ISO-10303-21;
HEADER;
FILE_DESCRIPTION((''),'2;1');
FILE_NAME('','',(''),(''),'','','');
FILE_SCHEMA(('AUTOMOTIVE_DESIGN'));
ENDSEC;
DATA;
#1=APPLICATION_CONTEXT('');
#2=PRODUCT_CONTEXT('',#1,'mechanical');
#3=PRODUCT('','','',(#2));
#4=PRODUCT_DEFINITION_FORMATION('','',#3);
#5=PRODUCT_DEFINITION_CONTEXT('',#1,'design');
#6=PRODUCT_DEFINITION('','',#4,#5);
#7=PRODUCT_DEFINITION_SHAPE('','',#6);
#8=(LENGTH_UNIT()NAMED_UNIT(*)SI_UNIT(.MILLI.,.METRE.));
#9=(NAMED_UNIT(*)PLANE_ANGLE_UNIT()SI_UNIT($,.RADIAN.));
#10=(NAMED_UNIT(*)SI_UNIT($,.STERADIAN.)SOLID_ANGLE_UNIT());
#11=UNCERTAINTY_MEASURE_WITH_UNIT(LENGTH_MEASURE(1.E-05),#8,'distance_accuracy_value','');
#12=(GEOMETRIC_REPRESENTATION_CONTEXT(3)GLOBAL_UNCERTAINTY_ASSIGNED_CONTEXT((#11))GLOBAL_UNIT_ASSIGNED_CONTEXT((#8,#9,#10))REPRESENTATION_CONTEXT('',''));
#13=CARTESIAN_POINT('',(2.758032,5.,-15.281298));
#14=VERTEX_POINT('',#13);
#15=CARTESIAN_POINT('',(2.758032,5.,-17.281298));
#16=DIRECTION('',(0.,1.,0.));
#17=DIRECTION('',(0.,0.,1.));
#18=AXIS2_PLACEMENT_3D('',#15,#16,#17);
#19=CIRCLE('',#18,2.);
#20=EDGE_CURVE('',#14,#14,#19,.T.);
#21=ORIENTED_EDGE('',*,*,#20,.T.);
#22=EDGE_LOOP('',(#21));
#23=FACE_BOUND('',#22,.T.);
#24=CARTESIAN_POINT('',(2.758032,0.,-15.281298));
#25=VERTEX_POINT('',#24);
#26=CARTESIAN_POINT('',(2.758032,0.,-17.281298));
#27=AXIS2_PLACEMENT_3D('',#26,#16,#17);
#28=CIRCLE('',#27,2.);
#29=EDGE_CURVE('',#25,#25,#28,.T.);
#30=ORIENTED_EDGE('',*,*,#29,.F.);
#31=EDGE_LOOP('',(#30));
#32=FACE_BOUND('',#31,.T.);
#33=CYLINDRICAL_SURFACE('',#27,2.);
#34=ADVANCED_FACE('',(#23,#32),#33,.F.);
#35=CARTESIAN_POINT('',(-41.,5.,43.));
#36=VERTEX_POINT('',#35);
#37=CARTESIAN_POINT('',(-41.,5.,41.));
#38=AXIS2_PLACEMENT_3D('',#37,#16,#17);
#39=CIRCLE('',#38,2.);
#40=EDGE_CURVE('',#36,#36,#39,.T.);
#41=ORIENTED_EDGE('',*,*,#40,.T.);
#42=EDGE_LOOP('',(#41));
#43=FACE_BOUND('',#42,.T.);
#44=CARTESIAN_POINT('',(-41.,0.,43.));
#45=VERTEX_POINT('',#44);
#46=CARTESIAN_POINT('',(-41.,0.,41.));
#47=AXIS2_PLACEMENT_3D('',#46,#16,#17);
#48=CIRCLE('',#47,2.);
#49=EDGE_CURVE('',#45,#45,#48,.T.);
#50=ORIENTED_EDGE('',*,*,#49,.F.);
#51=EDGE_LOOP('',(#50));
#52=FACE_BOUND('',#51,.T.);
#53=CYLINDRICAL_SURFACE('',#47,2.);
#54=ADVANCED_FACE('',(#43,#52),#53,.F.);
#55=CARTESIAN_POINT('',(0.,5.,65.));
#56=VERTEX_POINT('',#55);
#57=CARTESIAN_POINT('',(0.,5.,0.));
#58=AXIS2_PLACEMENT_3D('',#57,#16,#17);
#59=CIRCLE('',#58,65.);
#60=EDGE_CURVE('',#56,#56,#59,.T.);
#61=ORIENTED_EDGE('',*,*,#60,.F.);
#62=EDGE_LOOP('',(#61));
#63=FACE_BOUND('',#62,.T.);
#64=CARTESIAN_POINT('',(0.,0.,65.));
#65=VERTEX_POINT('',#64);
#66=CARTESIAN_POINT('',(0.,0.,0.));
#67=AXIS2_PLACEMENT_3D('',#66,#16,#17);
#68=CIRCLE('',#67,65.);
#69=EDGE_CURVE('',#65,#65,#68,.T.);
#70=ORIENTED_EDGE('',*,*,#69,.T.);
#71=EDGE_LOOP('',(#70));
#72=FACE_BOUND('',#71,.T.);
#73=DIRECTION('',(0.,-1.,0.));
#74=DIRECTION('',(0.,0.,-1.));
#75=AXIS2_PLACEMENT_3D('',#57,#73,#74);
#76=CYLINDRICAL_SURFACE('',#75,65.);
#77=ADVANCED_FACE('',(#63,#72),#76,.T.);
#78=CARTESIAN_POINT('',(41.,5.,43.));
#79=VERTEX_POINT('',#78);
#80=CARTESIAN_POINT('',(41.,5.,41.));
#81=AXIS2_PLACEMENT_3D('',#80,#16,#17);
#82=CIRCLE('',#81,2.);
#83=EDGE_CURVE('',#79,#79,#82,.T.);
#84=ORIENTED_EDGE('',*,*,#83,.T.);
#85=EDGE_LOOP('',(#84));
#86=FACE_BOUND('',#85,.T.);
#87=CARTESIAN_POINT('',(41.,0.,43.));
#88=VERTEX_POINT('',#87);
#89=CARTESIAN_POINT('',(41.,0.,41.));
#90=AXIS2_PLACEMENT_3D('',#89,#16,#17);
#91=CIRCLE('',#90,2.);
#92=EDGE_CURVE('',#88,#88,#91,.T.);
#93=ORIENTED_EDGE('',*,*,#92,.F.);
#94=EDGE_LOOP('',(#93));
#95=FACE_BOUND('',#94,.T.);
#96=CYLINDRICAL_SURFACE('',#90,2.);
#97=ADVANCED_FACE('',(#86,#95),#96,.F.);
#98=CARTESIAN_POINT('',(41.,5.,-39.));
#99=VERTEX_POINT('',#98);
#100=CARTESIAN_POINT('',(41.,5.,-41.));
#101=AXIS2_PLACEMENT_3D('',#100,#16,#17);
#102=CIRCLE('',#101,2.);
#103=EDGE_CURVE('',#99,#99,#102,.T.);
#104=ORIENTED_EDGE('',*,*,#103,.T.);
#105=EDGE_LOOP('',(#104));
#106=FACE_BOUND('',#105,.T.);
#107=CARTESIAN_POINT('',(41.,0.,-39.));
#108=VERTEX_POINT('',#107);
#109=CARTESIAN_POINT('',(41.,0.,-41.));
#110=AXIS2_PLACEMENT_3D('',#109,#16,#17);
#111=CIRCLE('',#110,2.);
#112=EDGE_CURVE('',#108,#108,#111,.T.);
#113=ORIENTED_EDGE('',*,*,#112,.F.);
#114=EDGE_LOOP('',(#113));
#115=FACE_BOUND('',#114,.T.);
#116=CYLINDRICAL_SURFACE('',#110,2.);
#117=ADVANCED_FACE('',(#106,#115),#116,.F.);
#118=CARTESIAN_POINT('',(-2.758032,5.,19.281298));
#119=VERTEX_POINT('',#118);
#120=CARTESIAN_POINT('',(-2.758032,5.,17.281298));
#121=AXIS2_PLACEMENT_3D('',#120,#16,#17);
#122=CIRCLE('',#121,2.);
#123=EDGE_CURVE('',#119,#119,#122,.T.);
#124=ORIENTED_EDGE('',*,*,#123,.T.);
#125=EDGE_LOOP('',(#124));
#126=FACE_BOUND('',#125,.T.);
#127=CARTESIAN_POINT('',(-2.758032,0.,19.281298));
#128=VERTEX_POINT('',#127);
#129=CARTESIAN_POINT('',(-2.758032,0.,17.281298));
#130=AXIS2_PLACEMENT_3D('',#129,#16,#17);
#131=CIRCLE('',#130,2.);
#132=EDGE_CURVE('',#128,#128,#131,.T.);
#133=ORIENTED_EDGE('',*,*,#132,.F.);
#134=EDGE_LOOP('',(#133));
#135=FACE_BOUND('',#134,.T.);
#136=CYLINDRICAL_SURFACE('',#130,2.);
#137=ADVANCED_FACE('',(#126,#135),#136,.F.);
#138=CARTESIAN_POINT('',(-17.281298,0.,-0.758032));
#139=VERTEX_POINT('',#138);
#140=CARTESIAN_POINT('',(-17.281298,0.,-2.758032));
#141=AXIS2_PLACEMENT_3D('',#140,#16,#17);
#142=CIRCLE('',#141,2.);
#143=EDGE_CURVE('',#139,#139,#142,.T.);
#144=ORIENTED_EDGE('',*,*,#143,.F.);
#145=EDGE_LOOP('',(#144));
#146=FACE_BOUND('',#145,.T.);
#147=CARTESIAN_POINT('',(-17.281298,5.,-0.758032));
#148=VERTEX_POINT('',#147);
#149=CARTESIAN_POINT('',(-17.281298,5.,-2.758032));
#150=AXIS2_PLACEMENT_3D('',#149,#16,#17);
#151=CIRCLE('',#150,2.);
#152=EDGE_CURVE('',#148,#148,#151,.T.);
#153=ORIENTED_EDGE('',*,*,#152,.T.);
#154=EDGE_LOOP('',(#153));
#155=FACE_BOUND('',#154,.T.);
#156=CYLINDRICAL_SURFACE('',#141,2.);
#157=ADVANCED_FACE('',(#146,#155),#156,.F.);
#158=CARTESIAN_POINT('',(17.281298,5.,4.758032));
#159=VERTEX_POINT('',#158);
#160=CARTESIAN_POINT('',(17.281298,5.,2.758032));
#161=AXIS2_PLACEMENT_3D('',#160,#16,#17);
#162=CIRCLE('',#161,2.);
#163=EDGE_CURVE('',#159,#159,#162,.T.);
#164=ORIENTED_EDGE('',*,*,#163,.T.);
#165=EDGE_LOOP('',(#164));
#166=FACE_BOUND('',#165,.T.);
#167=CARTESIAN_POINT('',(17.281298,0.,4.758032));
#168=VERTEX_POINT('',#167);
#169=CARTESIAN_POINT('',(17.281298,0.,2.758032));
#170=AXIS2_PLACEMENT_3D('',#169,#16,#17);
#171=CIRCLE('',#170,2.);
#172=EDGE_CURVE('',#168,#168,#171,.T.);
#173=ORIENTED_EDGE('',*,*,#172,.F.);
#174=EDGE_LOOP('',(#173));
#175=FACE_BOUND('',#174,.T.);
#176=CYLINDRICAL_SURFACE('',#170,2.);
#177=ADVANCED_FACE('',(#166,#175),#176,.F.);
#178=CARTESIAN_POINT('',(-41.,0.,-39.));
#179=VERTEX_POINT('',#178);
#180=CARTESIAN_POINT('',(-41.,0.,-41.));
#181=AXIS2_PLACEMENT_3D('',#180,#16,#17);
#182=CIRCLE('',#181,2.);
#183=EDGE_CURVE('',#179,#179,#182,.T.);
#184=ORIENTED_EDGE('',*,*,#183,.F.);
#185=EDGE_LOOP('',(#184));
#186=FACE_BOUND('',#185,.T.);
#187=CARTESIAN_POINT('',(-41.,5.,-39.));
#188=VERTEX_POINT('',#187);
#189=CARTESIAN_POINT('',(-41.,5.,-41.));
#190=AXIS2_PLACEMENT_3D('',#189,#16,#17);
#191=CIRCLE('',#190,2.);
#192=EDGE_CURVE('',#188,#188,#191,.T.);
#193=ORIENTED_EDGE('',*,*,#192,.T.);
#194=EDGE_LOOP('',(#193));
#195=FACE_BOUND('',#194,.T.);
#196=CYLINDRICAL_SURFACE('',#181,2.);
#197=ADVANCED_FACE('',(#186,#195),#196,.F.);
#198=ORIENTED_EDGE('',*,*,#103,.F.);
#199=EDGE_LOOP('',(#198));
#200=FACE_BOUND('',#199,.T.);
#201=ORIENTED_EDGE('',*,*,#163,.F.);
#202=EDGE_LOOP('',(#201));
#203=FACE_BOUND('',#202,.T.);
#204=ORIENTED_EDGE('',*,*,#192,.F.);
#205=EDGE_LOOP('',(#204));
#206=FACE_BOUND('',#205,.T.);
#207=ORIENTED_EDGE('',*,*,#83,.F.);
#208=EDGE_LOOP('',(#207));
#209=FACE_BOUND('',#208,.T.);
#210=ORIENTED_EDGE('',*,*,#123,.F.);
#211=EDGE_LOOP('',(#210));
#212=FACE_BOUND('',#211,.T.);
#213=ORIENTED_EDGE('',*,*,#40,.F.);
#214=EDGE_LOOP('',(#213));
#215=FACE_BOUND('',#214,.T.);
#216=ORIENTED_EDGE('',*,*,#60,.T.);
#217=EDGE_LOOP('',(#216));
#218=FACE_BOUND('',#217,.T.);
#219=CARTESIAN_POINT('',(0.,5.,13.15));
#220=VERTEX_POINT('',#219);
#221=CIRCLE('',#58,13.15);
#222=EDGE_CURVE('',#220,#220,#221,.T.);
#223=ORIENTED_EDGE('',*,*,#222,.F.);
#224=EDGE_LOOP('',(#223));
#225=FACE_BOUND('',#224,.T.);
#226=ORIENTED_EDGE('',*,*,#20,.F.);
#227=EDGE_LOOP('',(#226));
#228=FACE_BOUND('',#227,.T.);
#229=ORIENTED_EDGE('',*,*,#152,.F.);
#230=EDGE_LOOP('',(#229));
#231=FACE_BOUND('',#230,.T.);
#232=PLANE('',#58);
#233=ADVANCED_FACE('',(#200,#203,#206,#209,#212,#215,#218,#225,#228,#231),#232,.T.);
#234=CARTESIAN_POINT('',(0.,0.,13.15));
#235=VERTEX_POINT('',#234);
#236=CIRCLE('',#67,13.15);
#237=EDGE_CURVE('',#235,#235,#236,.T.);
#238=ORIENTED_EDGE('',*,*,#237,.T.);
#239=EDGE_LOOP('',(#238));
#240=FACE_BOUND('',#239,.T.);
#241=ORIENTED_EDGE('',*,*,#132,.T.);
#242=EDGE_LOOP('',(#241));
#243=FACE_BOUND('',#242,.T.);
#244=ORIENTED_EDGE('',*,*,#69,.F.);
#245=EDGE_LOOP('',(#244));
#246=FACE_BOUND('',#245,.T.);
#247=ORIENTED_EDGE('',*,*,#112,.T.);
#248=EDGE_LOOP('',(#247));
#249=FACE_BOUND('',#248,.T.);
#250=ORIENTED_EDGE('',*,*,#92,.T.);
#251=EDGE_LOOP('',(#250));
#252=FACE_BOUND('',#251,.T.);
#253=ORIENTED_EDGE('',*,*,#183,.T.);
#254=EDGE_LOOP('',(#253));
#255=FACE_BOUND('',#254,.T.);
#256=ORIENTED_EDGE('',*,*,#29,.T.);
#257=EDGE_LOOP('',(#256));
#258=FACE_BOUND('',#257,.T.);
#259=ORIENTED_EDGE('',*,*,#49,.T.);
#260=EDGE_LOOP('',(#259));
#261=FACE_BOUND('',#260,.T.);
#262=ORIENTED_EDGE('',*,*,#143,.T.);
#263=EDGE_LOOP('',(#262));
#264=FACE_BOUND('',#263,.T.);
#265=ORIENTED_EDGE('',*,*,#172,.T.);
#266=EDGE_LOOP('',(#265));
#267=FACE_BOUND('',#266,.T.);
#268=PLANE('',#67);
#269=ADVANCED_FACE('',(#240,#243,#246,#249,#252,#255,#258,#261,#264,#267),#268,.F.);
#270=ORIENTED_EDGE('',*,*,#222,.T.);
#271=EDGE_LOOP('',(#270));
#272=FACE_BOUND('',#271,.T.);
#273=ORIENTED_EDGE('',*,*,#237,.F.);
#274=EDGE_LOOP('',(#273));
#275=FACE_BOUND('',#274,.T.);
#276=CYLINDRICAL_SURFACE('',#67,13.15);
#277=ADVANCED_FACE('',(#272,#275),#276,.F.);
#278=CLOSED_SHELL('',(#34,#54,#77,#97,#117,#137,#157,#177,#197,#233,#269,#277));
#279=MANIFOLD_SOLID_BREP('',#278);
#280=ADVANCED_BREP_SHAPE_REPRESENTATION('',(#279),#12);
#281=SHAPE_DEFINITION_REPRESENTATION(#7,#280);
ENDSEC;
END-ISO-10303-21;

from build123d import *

# Parameters (mm, degrees)
SKETCH1_R           = 65
BOSS_EXTRUDE1_DEPTH = 5
SKETCH2_R           = 13.15
SKETCH2_R_2         = 2
CUT_EXTRUDE1_DEPTH  = 93.059763198
SKETCH4_R           = 2
CUT_EXTRUDE2_DEPTH  = 93.059763198


with BuildPart() as part:
    # Sketch1 → Boss-Extrude1 (new body)
    with BuildSketch(Plane(origin=(0, 0, 0), x_dir=(1, 0, 0), z_dir=(0, 1, 0))):
        with Locations(Location((0, 0, 0), (0, 0, 270))):
            Circle(SKETCH1_R)
    extrude(amount=BOSS_EXTRUDE1_DEPTH)

    # Sketch2 → Cut-Extrude1 (cut, through all)
    with BuildSketch(Plane(origin=(0, 5, 0), x_dir=(1, 0, 0), z_dir=(0, 1, 0))):
        with Locations(Location((0, 0, 0), (0, 0, 270))):
            Circle(SKETCH2_R)
        with Locations(Location((-17.281297977, 2.75803195, 0), (0, 0, 270))):
            Circle(SKETCH2_R_2)
        with Locations(Location((2.75803195, 17.281297977, 0), (0, 0, 270))):
            Circle(SKETCH2_R_2)
        with Locations(Location((17.281297977, -2.75803195, 0), (0, 0, 270))):
            Circle(SKETCH2_R_2)
        with Locations(Location((-2.75803195, -17.281297977, 0), (0, 0, 270))):
            Circle(SKETCH2_R_2)
    extrude(amount=-CUT_EXTRUDE1_DEPTH, mode=Mode.SUBTRACT)

    # Sketch4 → Cut-Extrude2 (cut, through all)
    with BuildSketch(Plane(origin=(0, 5, 0), x_dir=(1, 0, 0), z_dir=(0, 1, 0))):
        with Locations(Location((41, 41, 0), (0, 0, 270))):
            Circle(SKETCH4_R)
        with Locations(Location((41, -41, 0), (0, 0, 270))):
            Circle(SKETCH4_R)
        with Locations(Location((-41, -41, 0), (0, 0, 270))):
            Circle(SKETCH4_R)
        with Locations(Location((-41, 41, 0), (0, 0, 270))):
            Circle(SKETCH4_R)
    extrude(amount=-CUT_EXTRUDE2_DEPTH, mode=Mode.SUBTRACT)


solid = part.part
